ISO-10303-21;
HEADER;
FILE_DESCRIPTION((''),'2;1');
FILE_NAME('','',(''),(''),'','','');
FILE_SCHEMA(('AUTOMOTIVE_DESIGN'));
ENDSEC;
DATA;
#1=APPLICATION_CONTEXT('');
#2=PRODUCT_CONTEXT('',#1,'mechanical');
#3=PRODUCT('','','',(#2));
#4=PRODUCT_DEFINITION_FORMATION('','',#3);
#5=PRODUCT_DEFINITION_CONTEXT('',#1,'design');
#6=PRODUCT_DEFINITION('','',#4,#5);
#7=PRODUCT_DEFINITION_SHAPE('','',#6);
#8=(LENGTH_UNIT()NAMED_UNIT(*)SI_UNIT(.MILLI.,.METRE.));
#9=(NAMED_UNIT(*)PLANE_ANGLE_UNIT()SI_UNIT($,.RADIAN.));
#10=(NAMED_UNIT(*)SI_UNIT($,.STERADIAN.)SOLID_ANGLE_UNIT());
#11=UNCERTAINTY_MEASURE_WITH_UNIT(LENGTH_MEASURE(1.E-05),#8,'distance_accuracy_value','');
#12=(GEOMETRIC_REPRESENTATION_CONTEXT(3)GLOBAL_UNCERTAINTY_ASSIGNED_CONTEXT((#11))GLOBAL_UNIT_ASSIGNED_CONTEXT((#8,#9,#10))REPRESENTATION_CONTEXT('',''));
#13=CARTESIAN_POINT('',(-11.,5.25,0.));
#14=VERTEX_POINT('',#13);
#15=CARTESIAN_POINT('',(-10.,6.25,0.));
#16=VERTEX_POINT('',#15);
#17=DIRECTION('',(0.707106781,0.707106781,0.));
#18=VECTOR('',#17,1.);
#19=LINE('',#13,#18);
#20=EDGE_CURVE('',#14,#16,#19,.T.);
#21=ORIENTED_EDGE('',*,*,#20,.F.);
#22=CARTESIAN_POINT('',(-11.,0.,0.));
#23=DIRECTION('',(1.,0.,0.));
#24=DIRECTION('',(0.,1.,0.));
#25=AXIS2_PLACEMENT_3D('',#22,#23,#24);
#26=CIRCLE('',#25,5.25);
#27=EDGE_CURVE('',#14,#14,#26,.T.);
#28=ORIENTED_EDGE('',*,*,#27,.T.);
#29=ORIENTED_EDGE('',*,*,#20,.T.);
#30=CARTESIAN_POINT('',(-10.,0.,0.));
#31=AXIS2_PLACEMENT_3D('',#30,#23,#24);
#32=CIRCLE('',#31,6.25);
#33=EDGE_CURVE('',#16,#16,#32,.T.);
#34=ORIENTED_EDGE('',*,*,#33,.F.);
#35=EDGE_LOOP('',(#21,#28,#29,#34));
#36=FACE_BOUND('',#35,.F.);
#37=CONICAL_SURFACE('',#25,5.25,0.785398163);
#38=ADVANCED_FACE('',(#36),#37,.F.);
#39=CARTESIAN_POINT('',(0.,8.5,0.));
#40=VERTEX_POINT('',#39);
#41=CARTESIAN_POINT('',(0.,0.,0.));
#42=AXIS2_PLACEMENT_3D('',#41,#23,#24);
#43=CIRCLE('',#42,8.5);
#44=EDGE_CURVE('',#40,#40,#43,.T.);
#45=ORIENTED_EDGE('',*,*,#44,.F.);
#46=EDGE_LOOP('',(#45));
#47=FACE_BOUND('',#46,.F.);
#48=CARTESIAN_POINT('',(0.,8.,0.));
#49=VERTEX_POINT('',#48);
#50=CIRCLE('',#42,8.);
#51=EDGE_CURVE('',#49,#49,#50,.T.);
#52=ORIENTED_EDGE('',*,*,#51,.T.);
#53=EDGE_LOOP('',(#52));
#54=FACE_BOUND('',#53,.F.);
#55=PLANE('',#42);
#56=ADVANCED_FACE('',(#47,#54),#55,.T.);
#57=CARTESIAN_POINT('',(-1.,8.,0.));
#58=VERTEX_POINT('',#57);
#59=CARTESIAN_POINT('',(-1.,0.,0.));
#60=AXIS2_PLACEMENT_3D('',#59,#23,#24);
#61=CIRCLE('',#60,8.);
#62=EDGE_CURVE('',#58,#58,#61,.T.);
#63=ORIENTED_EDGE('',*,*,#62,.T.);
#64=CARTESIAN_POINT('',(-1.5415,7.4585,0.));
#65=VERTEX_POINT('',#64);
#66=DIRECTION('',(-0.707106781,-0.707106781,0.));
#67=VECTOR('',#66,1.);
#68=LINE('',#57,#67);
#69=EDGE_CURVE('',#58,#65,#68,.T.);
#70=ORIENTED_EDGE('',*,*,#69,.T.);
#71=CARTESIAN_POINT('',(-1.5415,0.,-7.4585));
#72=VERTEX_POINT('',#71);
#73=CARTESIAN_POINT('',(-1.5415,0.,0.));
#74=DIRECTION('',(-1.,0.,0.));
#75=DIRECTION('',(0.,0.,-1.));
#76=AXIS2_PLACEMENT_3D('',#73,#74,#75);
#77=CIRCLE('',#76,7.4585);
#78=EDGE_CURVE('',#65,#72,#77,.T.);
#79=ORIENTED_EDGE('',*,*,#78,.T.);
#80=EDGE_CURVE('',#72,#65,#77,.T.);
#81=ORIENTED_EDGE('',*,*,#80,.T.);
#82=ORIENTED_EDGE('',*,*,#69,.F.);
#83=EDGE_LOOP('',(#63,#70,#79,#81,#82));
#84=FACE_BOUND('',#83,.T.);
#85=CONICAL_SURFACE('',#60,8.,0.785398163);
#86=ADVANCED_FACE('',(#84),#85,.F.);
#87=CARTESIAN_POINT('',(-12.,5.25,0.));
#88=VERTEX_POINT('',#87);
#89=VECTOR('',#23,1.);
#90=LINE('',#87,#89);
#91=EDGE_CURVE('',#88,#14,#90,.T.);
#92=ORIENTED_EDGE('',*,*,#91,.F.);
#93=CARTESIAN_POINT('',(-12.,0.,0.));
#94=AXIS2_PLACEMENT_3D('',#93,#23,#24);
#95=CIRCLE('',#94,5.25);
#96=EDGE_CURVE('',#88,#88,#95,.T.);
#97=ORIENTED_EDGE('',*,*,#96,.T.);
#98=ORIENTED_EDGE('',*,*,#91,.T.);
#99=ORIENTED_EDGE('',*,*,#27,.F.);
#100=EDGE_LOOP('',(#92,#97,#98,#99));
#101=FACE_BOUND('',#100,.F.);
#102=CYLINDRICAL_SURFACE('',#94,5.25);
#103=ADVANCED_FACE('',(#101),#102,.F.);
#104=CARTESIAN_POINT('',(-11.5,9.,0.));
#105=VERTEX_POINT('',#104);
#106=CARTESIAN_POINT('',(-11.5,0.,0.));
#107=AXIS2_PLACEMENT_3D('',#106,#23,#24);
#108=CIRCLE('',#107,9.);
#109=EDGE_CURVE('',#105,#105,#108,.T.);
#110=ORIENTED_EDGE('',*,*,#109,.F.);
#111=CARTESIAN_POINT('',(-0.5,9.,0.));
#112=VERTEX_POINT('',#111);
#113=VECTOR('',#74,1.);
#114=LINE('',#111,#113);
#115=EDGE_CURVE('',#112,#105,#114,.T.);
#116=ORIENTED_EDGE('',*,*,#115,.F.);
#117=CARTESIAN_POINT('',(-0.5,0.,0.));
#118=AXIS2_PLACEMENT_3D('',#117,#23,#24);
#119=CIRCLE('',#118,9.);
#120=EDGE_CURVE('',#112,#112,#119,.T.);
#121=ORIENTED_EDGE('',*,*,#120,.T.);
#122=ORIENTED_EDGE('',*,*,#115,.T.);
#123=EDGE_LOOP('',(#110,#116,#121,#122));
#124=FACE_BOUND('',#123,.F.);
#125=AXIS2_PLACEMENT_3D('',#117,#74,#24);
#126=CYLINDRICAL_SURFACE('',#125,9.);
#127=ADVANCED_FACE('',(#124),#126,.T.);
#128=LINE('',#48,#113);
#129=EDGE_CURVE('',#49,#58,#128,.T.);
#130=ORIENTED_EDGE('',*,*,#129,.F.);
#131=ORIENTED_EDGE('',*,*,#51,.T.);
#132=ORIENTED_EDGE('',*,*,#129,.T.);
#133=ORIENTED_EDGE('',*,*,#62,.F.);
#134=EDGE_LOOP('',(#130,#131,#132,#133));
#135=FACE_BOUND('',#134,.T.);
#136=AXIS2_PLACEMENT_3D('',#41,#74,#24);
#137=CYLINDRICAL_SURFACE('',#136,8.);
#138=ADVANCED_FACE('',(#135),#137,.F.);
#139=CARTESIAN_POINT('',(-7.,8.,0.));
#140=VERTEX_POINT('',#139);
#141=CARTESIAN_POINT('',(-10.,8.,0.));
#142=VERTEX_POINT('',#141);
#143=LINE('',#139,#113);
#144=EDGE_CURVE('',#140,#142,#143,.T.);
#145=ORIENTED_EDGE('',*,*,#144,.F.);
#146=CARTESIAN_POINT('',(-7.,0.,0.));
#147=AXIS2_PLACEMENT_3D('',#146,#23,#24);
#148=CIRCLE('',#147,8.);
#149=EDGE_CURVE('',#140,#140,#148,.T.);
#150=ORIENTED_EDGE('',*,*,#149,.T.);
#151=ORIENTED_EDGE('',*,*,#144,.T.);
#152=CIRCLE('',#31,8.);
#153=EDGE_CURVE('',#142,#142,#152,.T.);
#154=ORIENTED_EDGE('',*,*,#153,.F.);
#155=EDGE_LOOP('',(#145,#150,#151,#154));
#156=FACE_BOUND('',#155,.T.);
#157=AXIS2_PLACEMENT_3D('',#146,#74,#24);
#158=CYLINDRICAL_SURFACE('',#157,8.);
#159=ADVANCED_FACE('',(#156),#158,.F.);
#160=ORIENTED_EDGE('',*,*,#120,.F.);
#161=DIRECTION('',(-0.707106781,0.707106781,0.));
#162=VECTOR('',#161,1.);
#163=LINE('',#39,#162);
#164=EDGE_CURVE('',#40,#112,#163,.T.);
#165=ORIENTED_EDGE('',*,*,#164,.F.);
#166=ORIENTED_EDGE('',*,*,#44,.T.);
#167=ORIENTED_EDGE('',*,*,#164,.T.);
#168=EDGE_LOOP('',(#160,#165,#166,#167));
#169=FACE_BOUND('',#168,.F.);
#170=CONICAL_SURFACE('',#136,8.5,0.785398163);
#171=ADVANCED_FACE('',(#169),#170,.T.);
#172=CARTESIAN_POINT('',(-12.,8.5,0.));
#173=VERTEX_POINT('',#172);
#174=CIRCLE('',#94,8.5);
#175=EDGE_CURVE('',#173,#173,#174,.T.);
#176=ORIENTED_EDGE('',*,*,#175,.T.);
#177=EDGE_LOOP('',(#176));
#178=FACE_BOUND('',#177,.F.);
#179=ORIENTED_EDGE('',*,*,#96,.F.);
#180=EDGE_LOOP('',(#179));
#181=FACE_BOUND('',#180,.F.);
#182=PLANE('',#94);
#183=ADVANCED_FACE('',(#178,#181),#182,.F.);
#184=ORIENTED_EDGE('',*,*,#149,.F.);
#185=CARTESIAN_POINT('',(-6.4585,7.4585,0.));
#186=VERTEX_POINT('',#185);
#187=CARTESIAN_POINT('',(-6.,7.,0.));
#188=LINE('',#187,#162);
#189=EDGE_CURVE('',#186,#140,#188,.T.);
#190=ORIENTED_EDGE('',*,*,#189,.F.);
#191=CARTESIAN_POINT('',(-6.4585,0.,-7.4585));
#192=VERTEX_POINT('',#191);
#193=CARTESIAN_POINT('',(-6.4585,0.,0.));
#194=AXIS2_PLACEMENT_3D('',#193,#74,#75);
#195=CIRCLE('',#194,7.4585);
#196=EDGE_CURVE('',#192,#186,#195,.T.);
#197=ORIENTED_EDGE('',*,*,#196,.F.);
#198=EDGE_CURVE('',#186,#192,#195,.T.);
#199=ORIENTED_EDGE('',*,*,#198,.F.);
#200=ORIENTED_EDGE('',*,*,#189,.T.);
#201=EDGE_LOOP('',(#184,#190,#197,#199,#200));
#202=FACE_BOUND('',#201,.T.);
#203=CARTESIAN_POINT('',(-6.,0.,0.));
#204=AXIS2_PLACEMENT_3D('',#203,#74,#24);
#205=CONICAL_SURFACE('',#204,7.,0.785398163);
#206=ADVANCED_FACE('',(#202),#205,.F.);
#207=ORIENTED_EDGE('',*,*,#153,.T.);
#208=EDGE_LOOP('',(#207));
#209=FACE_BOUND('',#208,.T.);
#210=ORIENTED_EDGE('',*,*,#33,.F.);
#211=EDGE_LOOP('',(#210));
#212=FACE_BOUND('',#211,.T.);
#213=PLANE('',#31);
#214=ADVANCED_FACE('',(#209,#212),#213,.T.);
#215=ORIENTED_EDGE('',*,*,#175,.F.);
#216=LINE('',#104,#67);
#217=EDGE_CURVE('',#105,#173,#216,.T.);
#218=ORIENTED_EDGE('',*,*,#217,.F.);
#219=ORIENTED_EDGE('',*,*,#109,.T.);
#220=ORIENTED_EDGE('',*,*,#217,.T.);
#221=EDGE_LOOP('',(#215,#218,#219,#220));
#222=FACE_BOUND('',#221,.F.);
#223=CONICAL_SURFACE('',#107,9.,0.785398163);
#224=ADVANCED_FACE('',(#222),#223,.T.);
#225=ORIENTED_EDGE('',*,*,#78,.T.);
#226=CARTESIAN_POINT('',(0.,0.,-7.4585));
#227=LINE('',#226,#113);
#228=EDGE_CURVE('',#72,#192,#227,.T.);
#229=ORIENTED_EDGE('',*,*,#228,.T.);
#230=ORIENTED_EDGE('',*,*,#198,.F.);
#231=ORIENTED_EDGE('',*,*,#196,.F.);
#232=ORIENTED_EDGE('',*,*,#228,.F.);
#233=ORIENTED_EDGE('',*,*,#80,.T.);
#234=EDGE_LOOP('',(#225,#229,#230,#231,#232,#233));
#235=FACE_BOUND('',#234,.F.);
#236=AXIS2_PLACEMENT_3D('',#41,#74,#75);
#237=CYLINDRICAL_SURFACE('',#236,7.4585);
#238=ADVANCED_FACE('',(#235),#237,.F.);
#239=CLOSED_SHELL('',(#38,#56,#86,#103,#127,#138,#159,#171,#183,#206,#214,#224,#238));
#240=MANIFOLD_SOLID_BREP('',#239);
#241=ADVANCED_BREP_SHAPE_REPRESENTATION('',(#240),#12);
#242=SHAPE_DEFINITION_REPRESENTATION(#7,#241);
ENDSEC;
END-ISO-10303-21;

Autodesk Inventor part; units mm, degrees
ref_plane "YZ Plane" through (0, 0, 0) normal (1, 0, 0) x (0, 1, 0)
ref_plane "XZ Plane" through (0, 0, 0) normal (0, 1, 0) x (-1, 0, 0)
ref_plane "XY Plane" through (0, 0, 0) normal (0, 0, 1) x (1, 0, 0)
sketch "Skizze1" plane through (0, 0, 0) normal (0, 0, 1) x (1, 0, 0)
  line L0 (-14.4, 0) -> (2.4, 0) projected
  line L1 (0, -1.8) -> (0, 10.8) projected
  line L2 (0, 8) -> (-1, 8)
  line L3 (-1, 8) -> (-2, 7)
  line L4 (-2, 7) -> (-6, 7)
  line L5 (-6, 7) -> (-7, 8)
  line L6 (-7, 8) -> (-10, 8)
  line L7 (-10, 8) -> (-10, 6.25)
  line L8 (-0.5, 9) -> (-11.5, 9)
  line L9 (-12, 8.5) -> (-12, 5.25)
  line L10 (-12, 5.25) -> (-11, 5.25)
  line L11 (-11, 5.25) -> (-10, 6.25)
  line L12 (-11.5, 9) -> (-12, 8.5)
  line L13 (0, 8.5) -> (0, 8)
  line L14 (0, 8.5) -> (-0.5, 9)
  point P0 (0, 0)
  point P1 (0, 9)
  point P2 (-12, 9)
  dimension "d0" = 14
  dimension "d1" = 16
  dimension "d2" = 45
  dimension "d3" = 45
  dimension "d4" = 1
  dimension "d5" = 10
  dimension "d6" = 3
  dimension "d7" = 12
  dimension "d8" = 18
  dimension "d9" = 10.5
  dimension "d10" = 1
  dimension "d11" = 0.5
  dimension "d12" = 0.5
  dimension "d13" = 0.5
  dimension "d14" = 0.5
  dimension "d25" = 12.5
revolve "Umdrehung1" add sketch "Skizze1" angle 360 about axis through (-10, 0, 0) along (1, 0, 0)
hole "Bohrung1" at (0, 0, 0) direction (-1, 0, 0) diameter 14.917 depth 8 thread size "M16x1" class "6H" standard "ISO Metric profile"
equation "\"d12\" = d11"
equation "\"d14\" = d13"
properties part number "13_0204_030"
